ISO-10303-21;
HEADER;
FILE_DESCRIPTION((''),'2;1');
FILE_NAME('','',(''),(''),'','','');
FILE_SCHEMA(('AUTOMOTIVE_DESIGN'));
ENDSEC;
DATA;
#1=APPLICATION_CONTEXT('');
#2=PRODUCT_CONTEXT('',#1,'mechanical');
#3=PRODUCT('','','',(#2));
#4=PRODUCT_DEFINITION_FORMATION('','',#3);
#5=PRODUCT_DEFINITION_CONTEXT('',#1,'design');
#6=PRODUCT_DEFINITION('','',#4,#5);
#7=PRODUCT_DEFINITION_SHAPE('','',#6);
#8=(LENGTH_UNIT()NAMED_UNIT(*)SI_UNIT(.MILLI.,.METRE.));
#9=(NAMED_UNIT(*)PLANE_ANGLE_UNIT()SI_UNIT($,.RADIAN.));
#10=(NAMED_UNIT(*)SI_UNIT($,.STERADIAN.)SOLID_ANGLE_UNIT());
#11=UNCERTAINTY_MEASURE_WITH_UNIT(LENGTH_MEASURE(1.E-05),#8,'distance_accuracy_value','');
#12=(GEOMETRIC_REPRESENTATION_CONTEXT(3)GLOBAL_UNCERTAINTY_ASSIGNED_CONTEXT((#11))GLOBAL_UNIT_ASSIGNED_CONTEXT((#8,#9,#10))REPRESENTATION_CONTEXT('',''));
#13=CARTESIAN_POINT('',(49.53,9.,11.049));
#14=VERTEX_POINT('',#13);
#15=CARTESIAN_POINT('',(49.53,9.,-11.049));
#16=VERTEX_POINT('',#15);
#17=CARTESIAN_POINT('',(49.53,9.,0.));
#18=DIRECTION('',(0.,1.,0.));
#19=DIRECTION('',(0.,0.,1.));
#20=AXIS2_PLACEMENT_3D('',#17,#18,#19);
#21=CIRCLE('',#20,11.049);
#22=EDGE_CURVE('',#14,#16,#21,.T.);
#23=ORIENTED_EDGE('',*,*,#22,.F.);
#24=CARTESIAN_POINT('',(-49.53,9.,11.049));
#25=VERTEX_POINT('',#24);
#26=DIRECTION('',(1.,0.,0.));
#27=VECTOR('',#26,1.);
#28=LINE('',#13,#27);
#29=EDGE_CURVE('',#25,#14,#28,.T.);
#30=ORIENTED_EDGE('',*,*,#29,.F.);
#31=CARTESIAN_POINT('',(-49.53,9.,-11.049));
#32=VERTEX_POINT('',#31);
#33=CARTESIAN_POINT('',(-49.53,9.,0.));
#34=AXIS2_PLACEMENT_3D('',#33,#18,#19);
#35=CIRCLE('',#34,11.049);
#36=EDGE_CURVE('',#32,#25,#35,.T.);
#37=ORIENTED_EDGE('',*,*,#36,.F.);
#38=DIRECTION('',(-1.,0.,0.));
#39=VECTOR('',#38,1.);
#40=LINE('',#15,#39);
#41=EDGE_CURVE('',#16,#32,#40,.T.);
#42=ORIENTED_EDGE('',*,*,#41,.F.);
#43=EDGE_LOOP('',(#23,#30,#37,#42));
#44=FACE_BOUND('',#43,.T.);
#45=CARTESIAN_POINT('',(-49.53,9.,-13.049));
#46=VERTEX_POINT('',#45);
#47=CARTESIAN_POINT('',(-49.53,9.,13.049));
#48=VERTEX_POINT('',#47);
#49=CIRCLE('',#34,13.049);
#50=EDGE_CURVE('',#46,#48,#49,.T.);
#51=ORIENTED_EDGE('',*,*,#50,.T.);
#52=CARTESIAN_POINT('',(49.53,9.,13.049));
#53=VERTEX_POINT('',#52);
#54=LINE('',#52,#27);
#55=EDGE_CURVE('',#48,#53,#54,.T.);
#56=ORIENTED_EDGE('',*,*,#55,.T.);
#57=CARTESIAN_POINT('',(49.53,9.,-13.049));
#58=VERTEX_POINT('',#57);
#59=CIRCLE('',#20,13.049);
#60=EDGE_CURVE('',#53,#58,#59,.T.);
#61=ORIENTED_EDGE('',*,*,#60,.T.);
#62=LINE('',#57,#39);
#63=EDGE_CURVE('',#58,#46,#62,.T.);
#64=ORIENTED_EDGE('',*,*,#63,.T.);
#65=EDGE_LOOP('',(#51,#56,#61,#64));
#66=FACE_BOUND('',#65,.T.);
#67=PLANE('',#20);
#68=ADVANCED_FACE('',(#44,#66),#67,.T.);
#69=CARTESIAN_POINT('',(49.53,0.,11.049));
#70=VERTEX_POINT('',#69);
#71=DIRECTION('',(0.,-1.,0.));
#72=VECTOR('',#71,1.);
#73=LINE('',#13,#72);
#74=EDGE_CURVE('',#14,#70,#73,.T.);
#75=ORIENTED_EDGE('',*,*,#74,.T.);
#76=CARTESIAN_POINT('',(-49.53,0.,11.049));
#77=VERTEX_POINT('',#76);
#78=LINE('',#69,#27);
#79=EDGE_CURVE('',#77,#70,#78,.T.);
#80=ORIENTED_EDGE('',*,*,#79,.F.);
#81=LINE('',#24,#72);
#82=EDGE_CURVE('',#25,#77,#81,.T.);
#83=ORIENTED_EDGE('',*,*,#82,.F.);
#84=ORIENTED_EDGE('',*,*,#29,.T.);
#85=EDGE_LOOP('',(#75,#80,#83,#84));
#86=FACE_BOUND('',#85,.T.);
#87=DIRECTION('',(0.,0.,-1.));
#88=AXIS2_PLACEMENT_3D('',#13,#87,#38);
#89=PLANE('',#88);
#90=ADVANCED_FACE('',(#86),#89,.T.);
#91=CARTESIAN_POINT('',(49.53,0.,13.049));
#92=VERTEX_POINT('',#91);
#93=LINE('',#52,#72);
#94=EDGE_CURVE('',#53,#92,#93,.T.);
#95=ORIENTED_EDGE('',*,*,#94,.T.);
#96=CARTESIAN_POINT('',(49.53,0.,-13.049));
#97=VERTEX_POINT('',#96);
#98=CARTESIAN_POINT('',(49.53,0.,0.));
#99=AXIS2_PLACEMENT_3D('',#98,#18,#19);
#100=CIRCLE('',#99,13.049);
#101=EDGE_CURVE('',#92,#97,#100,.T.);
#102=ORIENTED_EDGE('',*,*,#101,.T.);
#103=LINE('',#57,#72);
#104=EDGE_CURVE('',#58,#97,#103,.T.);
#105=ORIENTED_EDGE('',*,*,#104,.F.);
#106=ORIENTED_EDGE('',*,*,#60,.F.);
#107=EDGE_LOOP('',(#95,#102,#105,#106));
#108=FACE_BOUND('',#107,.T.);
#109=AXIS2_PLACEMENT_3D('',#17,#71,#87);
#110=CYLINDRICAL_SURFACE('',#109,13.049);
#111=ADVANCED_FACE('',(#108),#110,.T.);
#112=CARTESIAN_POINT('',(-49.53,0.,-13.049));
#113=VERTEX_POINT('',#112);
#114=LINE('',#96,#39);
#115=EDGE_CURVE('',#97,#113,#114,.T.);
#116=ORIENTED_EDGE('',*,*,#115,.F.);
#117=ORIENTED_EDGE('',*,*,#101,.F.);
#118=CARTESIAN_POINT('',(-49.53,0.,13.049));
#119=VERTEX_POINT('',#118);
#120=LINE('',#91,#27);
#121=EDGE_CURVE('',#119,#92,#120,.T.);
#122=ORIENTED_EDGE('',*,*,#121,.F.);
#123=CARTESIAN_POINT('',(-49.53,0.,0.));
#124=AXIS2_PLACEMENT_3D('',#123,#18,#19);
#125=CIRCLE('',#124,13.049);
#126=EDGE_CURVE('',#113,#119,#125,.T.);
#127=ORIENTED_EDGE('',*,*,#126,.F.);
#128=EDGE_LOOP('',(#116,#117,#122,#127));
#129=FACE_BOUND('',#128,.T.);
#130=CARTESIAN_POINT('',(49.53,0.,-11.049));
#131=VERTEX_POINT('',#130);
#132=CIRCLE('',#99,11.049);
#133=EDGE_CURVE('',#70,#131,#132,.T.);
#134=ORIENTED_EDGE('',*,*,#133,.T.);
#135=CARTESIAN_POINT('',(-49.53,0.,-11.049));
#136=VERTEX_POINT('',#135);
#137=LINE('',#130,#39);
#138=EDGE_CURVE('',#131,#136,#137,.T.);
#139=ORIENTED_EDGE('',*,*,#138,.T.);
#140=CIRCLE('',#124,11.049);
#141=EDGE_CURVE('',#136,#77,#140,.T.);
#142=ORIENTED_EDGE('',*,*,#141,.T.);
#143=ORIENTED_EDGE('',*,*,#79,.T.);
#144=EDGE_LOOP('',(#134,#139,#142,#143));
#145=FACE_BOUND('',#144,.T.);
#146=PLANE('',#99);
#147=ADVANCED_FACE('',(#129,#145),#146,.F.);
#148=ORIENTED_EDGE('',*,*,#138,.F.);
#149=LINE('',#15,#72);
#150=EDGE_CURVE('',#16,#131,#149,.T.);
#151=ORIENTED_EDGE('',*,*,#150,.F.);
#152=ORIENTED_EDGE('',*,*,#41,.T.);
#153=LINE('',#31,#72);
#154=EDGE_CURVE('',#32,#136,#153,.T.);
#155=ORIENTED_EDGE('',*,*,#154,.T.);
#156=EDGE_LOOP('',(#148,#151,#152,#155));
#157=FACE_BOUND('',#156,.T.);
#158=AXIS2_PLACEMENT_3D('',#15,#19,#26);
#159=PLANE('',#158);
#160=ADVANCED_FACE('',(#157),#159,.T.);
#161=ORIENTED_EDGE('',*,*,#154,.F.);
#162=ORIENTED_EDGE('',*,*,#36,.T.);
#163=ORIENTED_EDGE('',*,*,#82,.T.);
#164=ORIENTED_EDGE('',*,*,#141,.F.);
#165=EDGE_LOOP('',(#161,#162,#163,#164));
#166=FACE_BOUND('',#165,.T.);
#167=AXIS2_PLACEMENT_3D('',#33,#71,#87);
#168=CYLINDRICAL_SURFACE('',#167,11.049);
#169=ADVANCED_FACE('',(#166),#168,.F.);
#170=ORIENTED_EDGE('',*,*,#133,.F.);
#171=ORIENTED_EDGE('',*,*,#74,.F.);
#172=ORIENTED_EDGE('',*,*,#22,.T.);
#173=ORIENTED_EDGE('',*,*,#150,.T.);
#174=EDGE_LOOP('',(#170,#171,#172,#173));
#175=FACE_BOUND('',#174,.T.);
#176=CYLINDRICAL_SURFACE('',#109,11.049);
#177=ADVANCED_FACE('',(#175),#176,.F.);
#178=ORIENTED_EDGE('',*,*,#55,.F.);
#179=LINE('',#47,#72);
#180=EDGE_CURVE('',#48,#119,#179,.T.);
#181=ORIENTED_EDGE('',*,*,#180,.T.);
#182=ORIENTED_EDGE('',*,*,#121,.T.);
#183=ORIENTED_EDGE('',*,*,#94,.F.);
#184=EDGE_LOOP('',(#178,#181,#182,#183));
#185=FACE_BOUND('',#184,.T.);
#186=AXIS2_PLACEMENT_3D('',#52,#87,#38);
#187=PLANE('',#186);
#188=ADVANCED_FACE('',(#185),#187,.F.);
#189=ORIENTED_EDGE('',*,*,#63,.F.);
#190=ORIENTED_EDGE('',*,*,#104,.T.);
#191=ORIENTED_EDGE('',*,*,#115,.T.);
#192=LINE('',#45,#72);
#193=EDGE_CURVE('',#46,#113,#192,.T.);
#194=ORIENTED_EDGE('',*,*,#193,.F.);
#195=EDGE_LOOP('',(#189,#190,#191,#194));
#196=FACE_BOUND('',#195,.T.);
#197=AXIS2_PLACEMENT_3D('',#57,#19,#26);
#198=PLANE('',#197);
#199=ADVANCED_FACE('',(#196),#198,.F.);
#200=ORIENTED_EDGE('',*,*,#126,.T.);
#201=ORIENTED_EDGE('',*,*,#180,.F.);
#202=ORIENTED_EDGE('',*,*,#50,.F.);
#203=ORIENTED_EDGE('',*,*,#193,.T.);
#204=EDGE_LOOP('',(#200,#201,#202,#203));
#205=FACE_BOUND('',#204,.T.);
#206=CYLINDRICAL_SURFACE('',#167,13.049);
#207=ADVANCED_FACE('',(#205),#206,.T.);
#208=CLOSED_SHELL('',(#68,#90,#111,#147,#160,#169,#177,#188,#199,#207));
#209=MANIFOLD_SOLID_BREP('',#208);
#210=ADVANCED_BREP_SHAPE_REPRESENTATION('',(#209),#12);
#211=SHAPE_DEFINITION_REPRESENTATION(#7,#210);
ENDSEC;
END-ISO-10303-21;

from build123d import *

# Parameters (mm, degrees)
BOSS_EXTRUDE1_DEPTH = 9


with BuildPart() as part:
    # Sketch1 → Boss-Extrude1 (new body)
    with BuildSketch(Plane(origin=(0, 0, 0), x_dir=(1, 0, 0), z_dir=(0, 1, 0))):
        with BuildLine():
            Line((49.53, -13.049), (-49.53, -13.049))
            ThreePointArc((-49.53, -13.049), (-62.579, 0), (-49.53, 13.049))
            Line((-49.53, 13.049), (49.53, 13.049))
            ThreePointArc((49.53, 13.049), (62.579, 0), (49.53, -13.049))
        make_face()
        with BuildLine():
            Line((49.53, -11.049), (-49.53, -11.049))
            ThreePointArc((-49.53, -11.049), (-60.579, 0), (-49.53, 11.049))
            Line((-49.53, 11.049), (49.53, 11.049))
            ThreePointArc((49.53, 11.049), (60.579, 0), (49.53, -11.049))
        make_face(mode=Mode.SUBTRACT)
    extrude(amount=BOSS_EXTRUDE1_DEPTH)


solid = part.part
